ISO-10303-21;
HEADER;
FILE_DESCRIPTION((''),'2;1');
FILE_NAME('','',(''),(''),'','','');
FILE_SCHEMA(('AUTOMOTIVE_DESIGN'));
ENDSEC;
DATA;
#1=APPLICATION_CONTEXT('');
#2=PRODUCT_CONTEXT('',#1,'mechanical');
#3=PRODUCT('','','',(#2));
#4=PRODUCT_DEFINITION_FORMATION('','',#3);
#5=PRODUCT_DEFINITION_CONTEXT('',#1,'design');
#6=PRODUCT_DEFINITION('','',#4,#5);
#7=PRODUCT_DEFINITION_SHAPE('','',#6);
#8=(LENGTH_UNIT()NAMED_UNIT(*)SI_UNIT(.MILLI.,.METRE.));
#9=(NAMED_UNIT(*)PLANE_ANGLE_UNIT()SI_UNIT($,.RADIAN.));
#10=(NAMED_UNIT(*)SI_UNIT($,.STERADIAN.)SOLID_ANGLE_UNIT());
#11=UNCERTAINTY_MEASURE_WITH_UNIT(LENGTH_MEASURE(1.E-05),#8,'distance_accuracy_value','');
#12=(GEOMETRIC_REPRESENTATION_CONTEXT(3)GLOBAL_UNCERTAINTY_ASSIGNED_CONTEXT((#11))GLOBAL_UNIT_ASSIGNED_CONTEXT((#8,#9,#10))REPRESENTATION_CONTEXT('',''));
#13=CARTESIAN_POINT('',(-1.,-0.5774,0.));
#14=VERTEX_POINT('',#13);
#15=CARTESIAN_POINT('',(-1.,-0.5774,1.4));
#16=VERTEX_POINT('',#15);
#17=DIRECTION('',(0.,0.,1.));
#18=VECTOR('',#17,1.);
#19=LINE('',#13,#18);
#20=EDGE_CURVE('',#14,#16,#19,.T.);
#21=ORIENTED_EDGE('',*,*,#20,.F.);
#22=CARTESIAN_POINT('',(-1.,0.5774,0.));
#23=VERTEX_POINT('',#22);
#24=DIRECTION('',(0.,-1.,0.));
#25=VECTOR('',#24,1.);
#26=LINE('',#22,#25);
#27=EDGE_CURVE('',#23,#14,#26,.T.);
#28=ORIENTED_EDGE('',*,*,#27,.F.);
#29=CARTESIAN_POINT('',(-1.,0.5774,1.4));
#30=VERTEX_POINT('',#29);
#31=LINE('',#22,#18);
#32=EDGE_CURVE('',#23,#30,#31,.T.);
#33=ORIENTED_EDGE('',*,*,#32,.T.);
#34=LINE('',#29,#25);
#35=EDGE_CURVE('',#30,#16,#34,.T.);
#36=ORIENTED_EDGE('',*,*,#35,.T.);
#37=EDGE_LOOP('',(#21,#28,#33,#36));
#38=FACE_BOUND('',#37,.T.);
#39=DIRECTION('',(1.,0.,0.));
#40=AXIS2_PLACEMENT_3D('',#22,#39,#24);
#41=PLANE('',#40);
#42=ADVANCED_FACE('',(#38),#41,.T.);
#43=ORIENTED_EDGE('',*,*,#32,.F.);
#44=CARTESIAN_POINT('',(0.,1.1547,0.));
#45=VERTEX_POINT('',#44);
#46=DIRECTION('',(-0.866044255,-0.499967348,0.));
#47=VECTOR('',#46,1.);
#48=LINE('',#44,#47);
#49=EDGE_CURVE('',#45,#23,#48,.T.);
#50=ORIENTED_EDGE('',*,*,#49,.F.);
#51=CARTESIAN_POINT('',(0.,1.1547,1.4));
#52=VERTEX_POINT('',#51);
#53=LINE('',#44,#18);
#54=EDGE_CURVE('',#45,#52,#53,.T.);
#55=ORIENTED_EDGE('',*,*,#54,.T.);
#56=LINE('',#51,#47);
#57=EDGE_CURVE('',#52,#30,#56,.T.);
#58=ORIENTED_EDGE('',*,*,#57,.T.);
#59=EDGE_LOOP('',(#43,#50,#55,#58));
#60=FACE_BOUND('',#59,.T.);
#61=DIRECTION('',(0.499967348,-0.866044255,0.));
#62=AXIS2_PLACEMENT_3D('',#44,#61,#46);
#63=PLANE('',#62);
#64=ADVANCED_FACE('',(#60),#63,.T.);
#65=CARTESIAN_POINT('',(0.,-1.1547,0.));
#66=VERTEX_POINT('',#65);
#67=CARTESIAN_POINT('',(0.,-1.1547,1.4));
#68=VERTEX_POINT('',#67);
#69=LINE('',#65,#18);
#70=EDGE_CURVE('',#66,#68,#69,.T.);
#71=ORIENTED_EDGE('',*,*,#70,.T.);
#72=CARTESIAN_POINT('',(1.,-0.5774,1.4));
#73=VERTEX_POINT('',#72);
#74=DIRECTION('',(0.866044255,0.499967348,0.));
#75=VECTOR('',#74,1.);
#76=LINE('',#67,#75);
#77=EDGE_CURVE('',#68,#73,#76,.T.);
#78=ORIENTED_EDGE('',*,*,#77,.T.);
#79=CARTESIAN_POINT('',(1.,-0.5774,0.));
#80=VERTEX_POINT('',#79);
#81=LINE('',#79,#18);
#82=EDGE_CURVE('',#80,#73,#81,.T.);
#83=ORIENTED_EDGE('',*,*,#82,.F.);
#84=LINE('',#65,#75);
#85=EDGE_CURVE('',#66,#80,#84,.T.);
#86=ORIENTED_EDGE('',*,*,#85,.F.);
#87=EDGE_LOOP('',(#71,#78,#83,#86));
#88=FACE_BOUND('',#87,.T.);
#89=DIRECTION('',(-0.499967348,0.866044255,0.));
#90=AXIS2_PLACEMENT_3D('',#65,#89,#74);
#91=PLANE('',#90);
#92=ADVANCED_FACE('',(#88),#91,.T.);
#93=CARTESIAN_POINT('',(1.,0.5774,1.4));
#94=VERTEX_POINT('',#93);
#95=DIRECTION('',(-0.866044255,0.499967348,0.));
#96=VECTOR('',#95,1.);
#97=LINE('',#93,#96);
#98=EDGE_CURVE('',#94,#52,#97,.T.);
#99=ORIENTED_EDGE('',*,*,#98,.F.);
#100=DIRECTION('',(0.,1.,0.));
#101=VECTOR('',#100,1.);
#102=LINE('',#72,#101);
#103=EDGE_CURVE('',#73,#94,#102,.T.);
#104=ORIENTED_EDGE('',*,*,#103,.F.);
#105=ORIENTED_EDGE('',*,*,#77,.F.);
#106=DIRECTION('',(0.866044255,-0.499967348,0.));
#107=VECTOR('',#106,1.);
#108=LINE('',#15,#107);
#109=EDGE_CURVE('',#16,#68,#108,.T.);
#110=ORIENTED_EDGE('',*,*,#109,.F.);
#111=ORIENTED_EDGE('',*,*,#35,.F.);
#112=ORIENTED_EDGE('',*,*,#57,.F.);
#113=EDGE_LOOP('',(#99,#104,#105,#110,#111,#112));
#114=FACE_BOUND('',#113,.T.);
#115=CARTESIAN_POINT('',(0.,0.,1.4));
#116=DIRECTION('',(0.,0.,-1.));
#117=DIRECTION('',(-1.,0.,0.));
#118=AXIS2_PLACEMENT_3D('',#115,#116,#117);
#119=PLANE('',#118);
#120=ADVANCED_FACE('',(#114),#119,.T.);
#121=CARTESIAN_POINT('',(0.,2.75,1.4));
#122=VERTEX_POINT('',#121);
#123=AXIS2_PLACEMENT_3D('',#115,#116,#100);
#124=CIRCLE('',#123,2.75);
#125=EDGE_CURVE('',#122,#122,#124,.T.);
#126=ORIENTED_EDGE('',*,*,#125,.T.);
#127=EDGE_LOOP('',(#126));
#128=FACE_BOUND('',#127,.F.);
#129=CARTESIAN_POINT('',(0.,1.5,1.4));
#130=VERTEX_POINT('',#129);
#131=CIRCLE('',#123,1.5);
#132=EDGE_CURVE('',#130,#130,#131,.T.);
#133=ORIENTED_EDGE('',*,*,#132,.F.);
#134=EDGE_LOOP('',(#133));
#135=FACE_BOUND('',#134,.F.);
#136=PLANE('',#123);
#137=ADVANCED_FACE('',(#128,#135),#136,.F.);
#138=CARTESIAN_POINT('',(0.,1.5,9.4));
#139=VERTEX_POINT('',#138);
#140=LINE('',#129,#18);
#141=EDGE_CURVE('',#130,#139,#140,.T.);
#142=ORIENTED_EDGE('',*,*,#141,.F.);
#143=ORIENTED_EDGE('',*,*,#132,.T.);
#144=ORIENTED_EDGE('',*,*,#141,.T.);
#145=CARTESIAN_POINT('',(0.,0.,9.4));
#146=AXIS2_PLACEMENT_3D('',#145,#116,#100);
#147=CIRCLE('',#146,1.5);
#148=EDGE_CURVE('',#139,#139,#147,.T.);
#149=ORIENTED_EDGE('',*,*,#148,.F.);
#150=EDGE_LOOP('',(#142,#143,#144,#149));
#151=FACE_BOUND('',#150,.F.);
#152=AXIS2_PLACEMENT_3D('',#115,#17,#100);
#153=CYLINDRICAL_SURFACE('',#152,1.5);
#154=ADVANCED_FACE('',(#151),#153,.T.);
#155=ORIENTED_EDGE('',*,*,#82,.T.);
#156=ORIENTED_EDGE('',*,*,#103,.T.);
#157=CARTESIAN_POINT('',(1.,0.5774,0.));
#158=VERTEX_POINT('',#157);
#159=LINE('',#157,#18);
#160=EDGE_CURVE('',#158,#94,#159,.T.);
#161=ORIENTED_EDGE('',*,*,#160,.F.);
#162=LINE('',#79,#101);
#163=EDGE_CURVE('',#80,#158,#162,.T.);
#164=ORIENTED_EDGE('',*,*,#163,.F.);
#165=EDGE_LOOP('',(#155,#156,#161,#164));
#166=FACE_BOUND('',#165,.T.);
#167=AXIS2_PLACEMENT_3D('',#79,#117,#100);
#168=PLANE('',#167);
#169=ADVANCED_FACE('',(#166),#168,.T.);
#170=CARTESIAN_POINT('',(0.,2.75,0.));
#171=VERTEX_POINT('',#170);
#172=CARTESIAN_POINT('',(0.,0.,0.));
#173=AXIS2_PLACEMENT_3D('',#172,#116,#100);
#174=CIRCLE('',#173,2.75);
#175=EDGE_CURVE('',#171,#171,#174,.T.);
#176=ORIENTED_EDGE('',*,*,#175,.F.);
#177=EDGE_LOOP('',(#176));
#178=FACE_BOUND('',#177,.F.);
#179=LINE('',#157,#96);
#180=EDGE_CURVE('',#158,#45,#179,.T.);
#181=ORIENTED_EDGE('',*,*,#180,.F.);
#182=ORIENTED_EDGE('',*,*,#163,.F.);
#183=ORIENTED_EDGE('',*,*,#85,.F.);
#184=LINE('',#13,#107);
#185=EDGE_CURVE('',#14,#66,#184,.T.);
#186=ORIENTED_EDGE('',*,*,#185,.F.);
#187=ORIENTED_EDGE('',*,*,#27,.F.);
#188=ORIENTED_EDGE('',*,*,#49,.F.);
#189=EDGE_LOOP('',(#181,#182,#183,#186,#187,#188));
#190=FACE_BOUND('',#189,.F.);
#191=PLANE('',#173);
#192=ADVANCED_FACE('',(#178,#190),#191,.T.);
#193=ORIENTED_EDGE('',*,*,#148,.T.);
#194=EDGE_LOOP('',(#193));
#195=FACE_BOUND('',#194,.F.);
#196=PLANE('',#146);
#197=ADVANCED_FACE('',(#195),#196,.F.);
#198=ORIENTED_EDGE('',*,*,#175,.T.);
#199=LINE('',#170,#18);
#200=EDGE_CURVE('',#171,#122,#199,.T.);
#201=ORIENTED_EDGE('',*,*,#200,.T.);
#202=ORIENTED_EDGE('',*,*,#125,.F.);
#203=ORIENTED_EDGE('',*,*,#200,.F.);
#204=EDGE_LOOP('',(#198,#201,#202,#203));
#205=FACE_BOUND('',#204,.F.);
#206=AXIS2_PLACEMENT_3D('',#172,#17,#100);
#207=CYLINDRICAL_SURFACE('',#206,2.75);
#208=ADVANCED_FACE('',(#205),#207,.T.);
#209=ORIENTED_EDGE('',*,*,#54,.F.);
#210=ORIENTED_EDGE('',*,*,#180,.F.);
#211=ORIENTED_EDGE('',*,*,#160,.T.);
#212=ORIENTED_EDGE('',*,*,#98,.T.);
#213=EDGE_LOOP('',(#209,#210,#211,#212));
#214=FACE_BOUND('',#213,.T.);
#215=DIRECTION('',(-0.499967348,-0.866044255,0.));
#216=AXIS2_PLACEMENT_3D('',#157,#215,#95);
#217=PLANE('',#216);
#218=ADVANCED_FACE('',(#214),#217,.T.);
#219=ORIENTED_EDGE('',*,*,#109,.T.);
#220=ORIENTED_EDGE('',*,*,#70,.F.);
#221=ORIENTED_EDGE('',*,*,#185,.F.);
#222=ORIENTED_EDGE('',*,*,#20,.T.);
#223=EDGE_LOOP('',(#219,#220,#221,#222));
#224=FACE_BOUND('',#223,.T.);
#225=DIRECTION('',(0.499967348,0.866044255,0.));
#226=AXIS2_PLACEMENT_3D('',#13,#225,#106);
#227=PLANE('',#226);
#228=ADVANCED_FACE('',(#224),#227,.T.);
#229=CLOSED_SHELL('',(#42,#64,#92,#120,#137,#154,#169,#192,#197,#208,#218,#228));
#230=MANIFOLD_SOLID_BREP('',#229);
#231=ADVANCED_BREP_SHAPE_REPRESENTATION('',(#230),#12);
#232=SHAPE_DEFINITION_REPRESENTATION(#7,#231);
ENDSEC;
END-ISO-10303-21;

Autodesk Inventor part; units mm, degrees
ref_plane "YZ Plane" through (0, 0, 0) normal (1, 0, 0) x (0, 1, 0)
ref_plane "XZ Plane" through (0, 0, 0) normal (0, 1, 0) x (-1, 0, 0)
ref_plane "XY Plane" through (0, 0, 0) normal (0, 0, 1) x (1, 0, 0)
sketch "スケッチ1" plane through (0, 0, 0) normal (1, 0, 0) x (0, 1, 0)
  line L0 (0, 9.4) -> (0, 0)
  line L1 (0, 0) -> (2.75, 0)
  line L2 (2.75, 0) -> (2.75, 1.4)
  line L3 (2.75, 1.4) -> (1.5, 1.4)
  line L4 (1.5, 1.4) -> (1.5, 9.4)
  line L5 (1.5, 9.4) -> (0, 9.4)
  dimension "d1" = 1.5
  dimension "d2" = 1.4
  dimension "d3" = 2.75
  dimension "d10" = 8
revolve "回転1" add sketch "スケッチ1" angle 360 about axis through (0, 0, 9.4) along (0, 0, -1)
thread "ねじ1" size "M3x0.5" class "6g" standard "ANSI Metric M Profile" full length
sketch "スケッチ2" plane through (0, 0, 0) normal (0, 0, -1) x (-1, 0, 0)
  line L0 (0, 1.1547) -> (1, 0.5774)
  line L1 (1, 0.5774) -> (1, -0.5774)
  line L2 (1, -0.5774) -> (0, -1.1547)
  line L3 (0, -1.1547) -> (-1, -0.5774)
  line L4 (-1, -0.5774) -> (-1, 0.5774)
  line L5 (-1, 0.5774) -> (0, 1.1547)
  circle A0 centre (0, 0) radius 2.75 projected
  line L6 (0, 2.75) -> (0, -2.75) construction
  dimension "d7" = 2
extrude "押し出し1" cut sketch "スケッチ2" against normal blind 1.4 contours L0 L1 L2 L3 L4 L5
properties part number "M3-8" material "ステンレス鋼 AISI 304"
